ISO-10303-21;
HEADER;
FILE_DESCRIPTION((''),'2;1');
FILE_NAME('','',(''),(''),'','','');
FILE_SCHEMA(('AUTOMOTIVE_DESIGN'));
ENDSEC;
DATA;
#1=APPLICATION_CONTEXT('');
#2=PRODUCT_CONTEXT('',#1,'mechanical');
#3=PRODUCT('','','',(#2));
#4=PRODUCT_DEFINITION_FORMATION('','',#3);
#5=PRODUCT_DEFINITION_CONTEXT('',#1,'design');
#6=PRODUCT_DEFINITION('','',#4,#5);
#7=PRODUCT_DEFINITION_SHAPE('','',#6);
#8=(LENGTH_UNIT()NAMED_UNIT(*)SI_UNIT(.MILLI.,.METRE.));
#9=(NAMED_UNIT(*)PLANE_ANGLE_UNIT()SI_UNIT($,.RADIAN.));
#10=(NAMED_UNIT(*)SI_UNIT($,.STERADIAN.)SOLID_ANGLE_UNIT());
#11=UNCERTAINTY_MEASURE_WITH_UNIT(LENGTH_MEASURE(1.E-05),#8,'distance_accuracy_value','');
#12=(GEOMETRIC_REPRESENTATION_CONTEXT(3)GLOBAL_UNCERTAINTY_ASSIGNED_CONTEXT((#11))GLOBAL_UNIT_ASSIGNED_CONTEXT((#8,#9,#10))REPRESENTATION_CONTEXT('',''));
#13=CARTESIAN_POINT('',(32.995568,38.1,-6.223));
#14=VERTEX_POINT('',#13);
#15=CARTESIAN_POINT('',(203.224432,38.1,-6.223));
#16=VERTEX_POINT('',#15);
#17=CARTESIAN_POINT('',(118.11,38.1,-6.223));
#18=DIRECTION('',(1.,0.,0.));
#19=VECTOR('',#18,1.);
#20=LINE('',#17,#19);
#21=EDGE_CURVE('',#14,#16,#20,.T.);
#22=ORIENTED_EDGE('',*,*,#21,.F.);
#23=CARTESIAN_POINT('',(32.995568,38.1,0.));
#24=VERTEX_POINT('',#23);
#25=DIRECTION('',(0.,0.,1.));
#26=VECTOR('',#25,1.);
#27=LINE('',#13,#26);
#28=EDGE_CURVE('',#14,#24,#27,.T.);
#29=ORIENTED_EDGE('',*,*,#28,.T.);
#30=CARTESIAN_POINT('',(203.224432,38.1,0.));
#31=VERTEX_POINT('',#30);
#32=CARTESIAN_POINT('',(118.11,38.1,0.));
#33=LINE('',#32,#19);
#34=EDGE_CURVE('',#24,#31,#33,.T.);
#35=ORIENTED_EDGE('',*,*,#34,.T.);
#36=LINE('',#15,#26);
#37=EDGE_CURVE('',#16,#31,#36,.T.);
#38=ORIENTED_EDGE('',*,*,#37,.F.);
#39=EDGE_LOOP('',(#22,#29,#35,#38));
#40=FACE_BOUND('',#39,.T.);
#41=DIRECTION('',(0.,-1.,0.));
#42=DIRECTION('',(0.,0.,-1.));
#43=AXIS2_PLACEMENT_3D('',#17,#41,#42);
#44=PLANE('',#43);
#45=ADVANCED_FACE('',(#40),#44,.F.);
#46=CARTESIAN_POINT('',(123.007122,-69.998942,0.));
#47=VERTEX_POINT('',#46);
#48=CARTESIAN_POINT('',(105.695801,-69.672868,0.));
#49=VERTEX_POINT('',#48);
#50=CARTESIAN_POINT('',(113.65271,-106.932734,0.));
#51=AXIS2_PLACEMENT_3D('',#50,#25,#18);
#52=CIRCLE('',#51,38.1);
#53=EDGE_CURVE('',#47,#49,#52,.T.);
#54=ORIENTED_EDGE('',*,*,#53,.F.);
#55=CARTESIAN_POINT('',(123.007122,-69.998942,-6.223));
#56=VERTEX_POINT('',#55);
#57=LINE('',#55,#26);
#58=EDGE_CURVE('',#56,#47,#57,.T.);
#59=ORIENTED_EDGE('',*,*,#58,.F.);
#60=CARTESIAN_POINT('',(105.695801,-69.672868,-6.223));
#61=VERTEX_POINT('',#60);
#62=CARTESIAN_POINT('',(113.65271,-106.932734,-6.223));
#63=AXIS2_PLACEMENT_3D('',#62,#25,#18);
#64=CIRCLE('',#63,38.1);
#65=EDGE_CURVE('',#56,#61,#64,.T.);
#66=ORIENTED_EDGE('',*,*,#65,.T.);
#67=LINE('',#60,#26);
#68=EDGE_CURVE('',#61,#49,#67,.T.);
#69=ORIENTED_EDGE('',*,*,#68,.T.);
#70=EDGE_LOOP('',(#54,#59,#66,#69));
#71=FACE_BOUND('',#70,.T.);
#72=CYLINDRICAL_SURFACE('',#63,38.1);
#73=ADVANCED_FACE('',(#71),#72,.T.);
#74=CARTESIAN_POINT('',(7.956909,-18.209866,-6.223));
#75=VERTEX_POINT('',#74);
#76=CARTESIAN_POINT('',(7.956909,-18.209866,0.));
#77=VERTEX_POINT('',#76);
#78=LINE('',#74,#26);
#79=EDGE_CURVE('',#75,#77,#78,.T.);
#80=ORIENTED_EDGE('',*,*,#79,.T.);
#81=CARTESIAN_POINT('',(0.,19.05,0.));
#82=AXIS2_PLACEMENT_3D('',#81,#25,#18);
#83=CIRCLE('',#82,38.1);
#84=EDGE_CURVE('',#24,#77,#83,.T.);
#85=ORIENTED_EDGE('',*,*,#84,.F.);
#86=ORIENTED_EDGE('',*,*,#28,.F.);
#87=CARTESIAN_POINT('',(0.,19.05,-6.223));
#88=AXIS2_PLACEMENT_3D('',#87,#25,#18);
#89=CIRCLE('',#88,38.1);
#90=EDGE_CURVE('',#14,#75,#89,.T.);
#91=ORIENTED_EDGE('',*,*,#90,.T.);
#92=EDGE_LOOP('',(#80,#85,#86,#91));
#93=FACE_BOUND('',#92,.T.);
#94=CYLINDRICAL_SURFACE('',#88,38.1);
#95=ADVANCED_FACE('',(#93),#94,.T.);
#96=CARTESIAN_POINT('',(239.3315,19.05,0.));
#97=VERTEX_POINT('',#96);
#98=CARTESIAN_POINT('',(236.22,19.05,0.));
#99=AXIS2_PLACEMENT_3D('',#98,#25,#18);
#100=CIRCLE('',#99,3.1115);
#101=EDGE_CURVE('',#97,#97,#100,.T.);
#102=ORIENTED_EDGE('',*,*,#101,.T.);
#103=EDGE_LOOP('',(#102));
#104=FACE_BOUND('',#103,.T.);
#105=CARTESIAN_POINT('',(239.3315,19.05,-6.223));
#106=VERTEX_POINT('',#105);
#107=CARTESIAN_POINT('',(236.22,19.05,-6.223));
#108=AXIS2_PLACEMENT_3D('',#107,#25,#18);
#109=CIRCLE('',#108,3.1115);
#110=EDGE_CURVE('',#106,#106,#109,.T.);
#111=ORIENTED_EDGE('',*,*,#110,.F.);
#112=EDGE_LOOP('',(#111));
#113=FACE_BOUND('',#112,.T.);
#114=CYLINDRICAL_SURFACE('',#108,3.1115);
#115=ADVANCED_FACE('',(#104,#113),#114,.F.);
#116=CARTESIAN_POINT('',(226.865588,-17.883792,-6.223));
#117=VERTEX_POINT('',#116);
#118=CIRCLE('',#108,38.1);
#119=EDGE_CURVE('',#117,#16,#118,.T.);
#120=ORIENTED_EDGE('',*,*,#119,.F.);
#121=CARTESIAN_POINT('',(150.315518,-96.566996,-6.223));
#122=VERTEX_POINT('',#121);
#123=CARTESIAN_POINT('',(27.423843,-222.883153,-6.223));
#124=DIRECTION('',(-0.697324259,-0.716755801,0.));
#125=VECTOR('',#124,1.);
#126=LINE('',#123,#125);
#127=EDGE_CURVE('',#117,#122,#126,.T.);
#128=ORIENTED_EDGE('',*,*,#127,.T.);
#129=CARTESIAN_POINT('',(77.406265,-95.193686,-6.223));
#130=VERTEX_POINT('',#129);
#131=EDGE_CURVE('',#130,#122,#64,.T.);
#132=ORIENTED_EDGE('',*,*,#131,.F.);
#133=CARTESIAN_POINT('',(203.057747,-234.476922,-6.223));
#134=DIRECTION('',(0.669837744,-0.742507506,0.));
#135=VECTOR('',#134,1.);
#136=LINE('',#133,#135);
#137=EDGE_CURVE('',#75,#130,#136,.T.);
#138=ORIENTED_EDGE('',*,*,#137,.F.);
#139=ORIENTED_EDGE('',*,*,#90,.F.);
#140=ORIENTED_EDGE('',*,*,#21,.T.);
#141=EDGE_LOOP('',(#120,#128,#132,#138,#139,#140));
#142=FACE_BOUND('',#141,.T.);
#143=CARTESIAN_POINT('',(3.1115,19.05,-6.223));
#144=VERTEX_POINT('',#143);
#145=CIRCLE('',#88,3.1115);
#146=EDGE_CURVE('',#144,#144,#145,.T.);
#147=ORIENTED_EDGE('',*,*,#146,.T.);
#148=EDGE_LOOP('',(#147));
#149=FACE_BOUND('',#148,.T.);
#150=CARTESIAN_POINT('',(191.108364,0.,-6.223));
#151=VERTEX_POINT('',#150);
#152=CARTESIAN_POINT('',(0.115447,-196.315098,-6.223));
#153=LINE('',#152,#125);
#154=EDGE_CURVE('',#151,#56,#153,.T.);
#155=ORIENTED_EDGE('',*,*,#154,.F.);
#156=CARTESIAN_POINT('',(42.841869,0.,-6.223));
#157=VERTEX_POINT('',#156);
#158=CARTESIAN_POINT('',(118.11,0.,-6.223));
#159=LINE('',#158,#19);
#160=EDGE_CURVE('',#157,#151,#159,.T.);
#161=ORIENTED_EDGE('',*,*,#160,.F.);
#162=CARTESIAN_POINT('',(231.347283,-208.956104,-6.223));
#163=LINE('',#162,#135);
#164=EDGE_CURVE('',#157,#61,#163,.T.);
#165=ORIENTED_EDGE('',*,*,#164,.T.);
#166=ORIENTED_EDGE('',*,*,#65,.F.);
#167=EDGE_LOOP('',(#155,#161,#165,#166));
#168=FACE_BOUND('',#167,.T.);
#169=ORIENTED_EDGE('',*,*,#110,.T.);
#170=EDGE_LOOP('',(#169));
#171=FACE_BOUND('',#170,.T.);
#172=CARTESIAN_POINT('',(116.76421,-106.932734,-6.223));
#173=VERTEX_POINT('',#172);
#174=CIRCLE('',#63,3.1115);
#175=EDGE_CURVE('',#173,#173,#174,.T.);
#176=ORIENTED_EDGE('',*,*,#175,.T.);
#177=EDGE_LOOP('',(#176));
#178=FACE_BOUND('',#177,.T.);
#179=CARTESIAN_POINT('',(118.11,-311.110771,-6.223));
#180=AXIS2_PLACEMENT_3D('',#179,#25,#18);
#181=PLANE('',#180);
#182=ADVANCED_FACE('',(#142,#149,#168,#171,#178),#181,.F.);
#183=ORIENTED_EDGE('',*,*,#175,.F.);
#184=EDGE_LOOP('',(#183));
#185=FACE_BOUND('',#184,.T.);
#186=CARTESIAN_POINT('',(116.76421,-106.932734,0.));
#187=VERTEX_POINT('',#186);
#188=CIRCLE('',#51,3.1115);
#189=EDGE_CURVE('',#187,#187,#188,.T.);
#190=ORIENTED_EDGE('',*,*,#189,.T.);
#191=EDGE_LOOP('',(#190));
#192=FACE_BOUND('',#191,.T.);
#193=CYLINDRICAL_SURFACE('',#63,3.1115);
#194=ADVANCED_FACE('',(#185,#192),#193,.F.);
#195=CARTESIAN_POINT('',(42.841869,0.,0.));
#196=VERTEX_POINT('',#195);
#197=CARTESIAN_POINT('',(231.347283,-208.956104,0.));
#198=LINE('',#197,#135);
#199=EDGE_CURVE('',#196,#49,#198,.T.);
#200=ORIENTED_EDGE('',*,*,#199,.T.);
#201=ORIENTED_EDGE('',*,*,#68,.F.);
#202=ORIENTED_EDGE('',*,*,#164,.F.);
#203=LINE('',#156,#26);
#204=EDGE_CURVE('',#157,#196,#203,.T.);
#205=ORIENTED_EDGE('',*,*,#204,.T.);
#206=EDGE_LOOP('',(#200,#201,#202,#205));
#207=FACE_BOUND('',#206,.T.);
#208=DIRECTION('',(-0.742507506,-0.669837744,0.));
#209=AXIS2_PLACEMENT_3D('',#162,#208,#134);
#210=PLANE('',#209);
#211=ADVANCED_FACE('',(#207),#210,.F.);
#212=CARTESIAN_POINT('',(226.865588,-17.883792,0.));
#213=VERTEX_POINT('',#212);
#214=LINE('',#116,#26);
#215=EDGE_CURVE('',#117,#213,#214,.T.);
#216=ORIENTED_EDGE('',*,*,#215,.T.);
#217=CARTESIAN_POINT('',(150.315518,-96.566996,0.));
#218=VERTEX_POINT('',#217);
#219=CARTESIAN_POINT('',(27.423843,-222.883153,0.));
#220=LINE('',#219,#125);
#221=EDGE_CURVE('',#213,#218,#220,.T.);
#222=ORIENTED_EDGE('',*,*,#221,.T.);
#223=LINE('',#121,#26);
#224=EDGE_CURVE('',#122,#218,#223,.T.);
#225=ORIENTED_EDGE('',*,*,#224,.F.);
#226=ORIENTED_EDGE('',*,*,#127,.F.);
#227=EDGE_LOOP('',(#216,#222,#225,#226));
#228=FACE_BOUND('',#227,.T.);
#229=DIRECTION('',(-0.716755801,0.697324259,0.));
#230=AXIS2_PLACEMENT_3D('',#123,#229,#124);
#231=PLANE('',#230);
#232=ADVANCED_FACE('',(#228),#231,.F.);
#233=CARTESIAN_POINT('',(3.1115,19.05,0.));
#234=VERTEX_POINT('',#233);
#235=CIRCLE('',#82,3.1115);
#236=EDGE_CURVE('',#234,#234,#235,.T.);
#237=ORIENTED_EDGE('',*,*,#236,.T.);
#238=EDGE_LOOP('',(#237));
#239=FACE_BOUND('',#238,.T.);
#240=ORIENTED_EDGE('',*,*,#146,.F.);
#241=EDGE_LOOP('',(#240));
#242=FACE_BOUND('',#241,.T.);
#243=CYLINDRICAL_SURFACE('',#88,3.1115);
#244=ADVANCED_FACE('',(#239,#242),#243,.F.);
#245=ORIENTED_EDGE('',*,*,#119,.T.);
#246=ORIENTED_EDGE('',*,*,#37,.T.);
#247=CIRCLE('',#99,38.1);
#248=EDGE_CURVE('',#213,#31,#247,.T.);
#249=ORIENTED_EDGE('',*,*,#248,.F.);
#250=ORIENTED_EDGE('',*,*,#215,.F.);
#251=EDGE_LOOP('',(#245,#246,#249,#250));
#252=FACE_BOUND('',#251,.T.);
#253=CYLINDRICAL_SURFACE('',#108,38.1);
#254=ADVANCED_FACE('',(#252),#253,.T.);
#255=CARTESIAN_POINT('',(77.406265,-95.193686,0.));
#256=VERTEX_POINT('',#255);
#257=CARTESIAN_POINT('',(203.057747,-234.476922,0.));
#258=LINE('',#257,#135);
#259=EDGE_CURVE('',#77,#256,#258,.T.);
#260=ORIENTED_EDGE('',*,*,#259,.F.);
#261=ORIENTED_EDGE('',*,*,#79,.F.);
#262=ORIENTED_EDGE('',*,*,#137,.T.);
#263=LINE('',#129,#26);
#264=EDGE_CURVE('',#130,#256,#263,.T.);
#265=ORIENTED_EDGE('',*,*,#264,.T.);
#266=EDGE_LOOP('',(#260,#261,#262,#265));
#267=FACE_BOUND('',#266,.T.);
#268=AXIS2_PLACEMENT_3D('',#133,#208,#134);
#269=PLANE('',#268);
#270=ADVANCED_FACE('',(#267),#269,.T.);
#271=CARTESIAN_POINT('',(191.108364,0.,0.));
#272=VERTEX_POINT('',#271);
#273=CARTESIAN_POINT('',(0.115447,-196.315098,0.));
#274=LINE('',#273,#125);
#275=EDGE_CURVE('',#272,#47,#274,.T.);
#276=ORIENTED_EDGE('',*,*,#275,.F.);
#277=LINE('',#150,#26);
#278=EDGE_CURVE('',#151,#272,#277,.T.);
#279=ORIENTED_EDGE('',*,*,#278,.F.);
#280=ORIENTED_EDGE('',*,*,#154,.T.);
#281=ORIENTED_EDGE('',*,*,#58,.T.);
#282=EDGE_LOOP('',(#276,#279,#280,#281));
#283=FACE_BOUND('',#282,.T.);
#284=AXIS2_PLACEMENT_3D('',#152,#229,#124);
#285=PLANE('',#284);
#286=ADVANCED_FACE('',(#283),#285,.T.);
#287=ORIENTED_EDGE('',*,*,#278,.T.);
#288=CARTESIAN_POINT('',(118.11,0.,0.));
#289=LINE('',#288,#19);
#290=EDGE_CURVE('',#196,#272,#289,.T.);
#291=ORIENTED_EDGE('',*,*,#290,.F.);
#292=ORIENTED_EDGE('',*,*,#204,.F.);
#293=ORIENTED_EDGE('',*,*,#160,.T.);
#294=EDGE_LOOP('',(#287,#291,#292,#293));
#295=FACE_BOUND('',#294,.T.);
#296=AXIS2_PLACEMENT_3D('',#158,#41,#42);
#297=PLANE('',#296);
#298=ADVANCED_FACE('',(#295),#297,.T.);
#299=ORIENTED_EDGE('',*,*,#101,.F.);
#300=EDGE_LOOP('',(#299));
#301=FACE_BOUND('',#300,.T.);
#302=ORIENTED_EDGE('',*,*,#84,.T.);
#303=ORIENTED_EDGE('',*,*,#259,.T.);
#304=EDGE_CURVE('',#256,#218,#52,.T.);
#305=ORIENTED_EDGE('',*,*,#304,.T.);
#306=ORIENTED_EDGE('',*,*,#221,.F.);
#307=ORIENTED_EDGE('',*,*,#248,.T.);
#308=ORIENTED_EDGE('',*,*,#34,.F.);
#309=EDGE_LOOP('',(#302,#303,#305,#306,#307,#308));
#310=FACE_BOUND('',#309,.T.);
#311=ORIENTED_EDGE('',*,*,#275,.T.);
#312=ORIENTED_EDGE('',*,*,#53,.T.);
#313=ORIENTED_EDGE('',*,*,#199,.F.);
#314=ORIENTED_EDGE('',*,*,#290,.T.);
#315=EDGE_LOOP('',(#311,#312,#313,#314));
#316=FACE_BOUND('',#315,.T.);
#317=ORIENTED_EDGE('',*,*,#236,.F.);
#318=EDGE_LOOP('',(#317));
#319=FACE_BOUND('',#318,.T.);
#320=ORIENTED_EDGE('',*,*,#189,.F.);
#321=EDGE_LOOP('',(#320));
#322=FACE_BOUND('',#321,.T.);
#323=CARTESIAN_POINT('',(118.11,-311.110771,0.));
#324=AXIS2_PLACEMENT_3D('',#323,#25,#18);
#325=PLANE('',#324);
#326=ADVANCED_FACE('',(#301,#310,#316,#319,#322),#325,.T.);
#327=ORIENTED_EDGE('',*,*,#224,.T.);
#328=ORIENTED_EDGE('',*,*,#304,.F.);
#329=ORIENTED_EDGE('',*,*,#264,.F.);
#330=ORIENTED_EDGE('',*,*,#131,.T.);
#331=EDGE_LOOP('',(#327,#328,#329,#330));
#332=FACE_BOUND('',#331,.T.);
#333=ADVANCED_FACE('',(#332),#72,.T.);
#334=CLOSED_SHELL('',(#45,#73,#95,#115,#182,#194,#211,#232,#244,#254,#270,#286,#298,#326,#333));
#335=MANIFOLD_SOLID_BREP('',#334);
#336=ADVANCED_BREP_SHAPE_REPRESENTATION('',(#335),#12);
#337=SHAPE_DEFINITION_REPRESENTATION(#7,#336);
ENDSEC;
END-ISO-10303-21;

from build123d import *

# Parameters (mm, degrees)
BOSS_EXTRUDE1_DEPTH = 6.223


with BuildPart() as part:
    # Sketch1 → Boss-Extrude1 (new body)
    with BuildSketch(Plane.XY):
        with BuildLine():
            ThreePointArc((32.995567884, 38.1), (-34.813454061, 34.530097426), (7.956908754, -18.209865849))
            Line((7.956908754, -18.209865849), (-14.14476943, 6.28959257))
            Line((-14.14476943, 6.28959257), (-2.310313541, 16.965801451))
            ThreePointArc((-2.310313541, 16.965801451), (-2.843098313, 20.314208935), (0, 22.1615))
            Line((0, 22.1615), (0, 38.1))
            Line((0, 38.1), (32.995567884, 38.1))
        make_face()
        with BuildLine():
            Line((14.14476656, 31.810410611), (36.246444744, 7.310952192))
            ThreePointArc((36.246444744, 7.310952192), (37.633758414, 13.10775904), (38.1, 19.05))
            ThreePointArc((38.1, 19.05), (36.801773982, 28.911005618), (32.995567884, 38.1))
            Line((32.995567884, 38.1), (0, 38.1))
            Line((0, 38.1), (0, 22.1615))
            ThreePointArc((0, 22.1615), (1.264206978, 21.893099184), (2.310310671, 21.134201731))
            Line((2.310310671, 21.134201731), (14.14476656, 31.810410611))
        make_face()
        with BuildLine():
            Line((0, 15.9385), (0, 0))
            Line((0, 0), (32.995567884, 0))
            ThreePointArc((32.995567884, 0), (34.813454061, 3.569902574), (36.246444744, 7.310952192))
            Line((36.246444744, 7.310952192), (14.14476656, 31.810410611))
            Line((14.14476656, 31.810410611), (2.310310671, 21.134201731))
            ThreePointArc((2.310310671, 21.134201731), (2.904304039, 20.166445385), (3.1115, 19.05))
            ThreePointArc((3.1115, 19.05), (2.20016275, 16.84983725), (0, 15.9385))
        make_face()
        with BuildLine():
            Line((32.995567884, 0), (0, 0))
            Line((0, 0), (0, 15.9385))
            ThreePointArc((0, 15.9385), (-1.264208935, 16.206901687), (-2.310313541, 16.965801451))
            Line((-2.310313541, 16.965801451), (-14.14476943, 6.28959257))
            Line((-14.14476943, 6.28959257), (7.956908754, -18.209865849))
            ThreePointArc((7.956908754, -18.209865849), (22.409286898, -11.762884655), (32.995567884, 0))
        make_face()
        with BuildLine():
            Line((36.246444744, 7.310952192), (42.841868602, 0))
            Line((42.841868602, 0), (191.108363525, 0))
            Line((191.108363525, 0), (199.557192075, 8.684262446))
            ThreePointArc((199.557192075, 8.684262446), (198.412676185, 23.763413406), (203.224432116, 38.1))
            Line((203.224432116, 38.1), (32.995567884, 38.1))
            ThreePointArc((32.995567884, 38.1), (36.801773982, 28.911005618), (38.1, 19.05))
            ThreePointArc((38.1, 19.05), (37.633758414, 13.10775904), (36.246444744, 7.310952192))
        make_face()
        with BuildLine():
            ThreePointArc((36.246444744, 7.310952192), (34.813454061, 3.569902574), (32.995567884, 0))
            Line((32.995567884, 0), (42.841868602, 0))
            Line((42.841868602, 0), (36.246444744, 7.310952192))
        make_face()
        with BuildLine():
            Line((42.841868602, 0), (32.995567884, 0))
            ThreePointArc((32.995567884, 0), (22.409286898, -11.762884655), (7.956908754, -18.209865849))
            Line((7.956908754, -18.209865849), (77.406264934, -95.193685799))
            ThreePointArc((77.406264934, -95.193685799), (88.131891636, -78.643197617), (105.695800923, -69.672867758))
            Line((105.695800923, -69.672867758), (42.841868602, 0))
        make_face()
        with BuildLine():
            ThreePointArc((203.224432116, 38.1), (198.412676185, 23.763413406), (199.557192075, 8.684262446))
            Line((199.557192075, 8.684262446), (222.565801994, 32.33402713))
            Line((222.565801994, 32.33402713), (233.989814326, 21.219724431))
            ThreePointArc((233.989814326, 21.219724431), (235.00955903, 21.916402782), (236.22, 22.1615))
            Line((236.22, 22.1615), (236.22, 38.1))
            Line((236.22, 38.1), (203.224432116, 38.1))
        make_face()
        with BuildLine():
            Line((199.557192075, 8.684262446), (191.108363525, 0))
            Line((191.108363525, 0), (203.224432116, 0))
            ThreePointArc((203.224432116, 0), (201.121190424, 4.228273841), (199.557192075, 8.684262446))
        make_face()
        with BuildLine():
            ThreePointArc((199.557192075, 8.684262446), (201.121190424, 4.228273841), (203.224432116, 0))
            Line((203.224432116, 0), (236.22, 0))
            Line((236.22, 0), (236.22, 15.9385))
            ThreePointArc((236.22, 15.9385), (233.353597218, 17.83955903), (233.989814326, 21.219724431))
            Line((233.989814326, 21.219724431), (222.565801994, 32.33402713))
            Line((222.565801994, 32.33402713), (199.557192075, 8.684262446))
        make_face()
        with BuildLine():
            ThreePointArc((274.32, 19.05), (246.081005618, 55.851773982), (203.224432116, 38.1))
            Line((203.224432116, 38.1), (236.22, 38.1))
            Line((236.22, 38.1), (236.22, 22.1615))
            ThreePointArc((236.22, 22.1615), (238.42016275, 21.25016275), (239.3315, 19.05))
            ThreePointArc((239.3315, 19.05), (239.102763863, 17.879058173), (238.450185674, 16.880275569))
            Line((238.450185674, 16.880275569), (249.874198006, 5.76597287))
            Line((249.874198006, 5.76597287), (226.865588088, -17.883791814))
            ThreePointArc((226.865588088, -17.883791814), (259.620928466, -11.01670163), (274.32, 19.05))
        make_face()
        with BuildLine():
            Line((236.22, 0), (203.224432116, 0))
            ThreePointArc((203.224432116, 0), (213.234402344, -11.33539617), (226.865588088, -17.883791814))
            Line((226.865588088, -17.883791814), (249.874198006, 5.76597287))
            Line((249.874198006, 5.76597287), (238.450185674, 16.880275569))
            ThreePointArc((238.450185674, 16.880275569), (237.43044097, 16.183597218), (236.22, 15.9385))
            Line((236.22, 15.9385), (236.22, 0))
        make_face()
        with BuildLine():
            Line((203.224432116, 0), (191.108363525, 0))
            Line((191.108363525, 0), (123.00712159, -69.998941792))
            ThreePointArc((123.00712159, -69.998941792), (140.220763938, -79.624337594), (150.315517603, -96.566996053))
            Line((150.315517603, -96.566996053), (226.865588088, -17.883791814))
            ThreePointArc((226.865588088, -17.883791814), (213.234402344, -11.33539617), (203.224432116, 0))
        make_face()
        with BuildLine():
            ThreePointArc((123.00712159, -69.998941792), (114.370229599, -68.839490568), (105.695800923, -69.672867758))
            Line((105.695800923, -69.672867758), (114.17744096, -79.07466909))
            Line((114.17744096, -79.07466909), (123.00712159, -69.998941792))
        make_face()
        with BuildLine():
            Line((114.17744096, -79.07466909), (105.695800923, -69.672867758))
            ThreePointArc((105.695800923, -69.672867758), (88.131891636, -78.643197617), (77.406264934, -95.193685799))
            Line((77.406264934, -95.193685799), (99.507943118, -119.693144218))
            Line((99.507943118, -119.693144218), (111.342399007, -109.016935337))
            ThreePointArc((111.342399007, -109.016935337), (110.541761476, -106.874137217), (111.422524003, -104.763009175))
            Line((111.422524003, -104.763009175), (99.998511671, -93.648706476))
            Line((99.998511671, -93.648706476), (114.17744096, -79.07466909))
        make_face()
        with BuildLine():
            Line((127.797479107, -94.172326176), (114.17744096, -79.07466909))
            Line((114.17744096, -79.07466909), (99.998511671, -93.648706476))
            Line((99.998511671, -93.648706476), (111.422524003, -104.763009175))
            ThreePointArc((111.422524003, -104.763009175), (113.711308209, -103.821785445), (115.963023218, -104.848535057))
            Line((115.963023218, -104.848535057), (127.797479107, -94.172326176))
        make_face()
        with BuildLine():
            ThreePointArc((150.315517603, -96.566996053), (140.220763938, -79.624337594), (123.00712159, -69.998941792))
            Line((123.00712159, -69.998941792), (114.17744096, -79.07466909))
            Line((114.17744096, -79.07466909), (127.797479107, -94.172326176))
            Line((127.797479107, -94.172326176), (115.963023218, -104.848535057))
            ThreePointArc((115.963023218, -104.848535057), (116.557014485, -105.816290221), (116.764209677, -106.932733607))
            ThreePointArc((116.764209677, -106.932733607), (116.53547354, -108.103675433), (115.882895352, -109.102458038))
            Line((115.882895352, -109.102458038), (127.306907684, -120.216760737))
            Line((127.306907684, -120.216760737), (150.315517603, -96.566996053))
        make_face()
        with BuildLine():
            Line((99.507943118, -119.693144218), (77.406264934, -95.193685799))
            ThreePointArc((77.406264934, -95.193685799), (107.710468717, -144.566492021), (151.752709677, -106.932733607))
            ThreePointArc((151.752709677, -106.932733607), (151.39170133, -101.700285898), (150.315517603, -96.566996053))
            Line((150.315517603, -96.566996053), (127.306907684, -120.216760737))
            Line((127.306907684, -120.216760737), (115.882895352, -109.102458038))
            ThreePointArc((115.882895352, -109.102458038), (113.594113288, -110.043681808), (111.342399007, -109.016935337))
            Line((111.342399007, -109.016935337), (99.507943118, -119.693144218))
        make_face()
    extrude(amount=-BOSS_EXTRUDE1_DEPTH)


solid = part.part
